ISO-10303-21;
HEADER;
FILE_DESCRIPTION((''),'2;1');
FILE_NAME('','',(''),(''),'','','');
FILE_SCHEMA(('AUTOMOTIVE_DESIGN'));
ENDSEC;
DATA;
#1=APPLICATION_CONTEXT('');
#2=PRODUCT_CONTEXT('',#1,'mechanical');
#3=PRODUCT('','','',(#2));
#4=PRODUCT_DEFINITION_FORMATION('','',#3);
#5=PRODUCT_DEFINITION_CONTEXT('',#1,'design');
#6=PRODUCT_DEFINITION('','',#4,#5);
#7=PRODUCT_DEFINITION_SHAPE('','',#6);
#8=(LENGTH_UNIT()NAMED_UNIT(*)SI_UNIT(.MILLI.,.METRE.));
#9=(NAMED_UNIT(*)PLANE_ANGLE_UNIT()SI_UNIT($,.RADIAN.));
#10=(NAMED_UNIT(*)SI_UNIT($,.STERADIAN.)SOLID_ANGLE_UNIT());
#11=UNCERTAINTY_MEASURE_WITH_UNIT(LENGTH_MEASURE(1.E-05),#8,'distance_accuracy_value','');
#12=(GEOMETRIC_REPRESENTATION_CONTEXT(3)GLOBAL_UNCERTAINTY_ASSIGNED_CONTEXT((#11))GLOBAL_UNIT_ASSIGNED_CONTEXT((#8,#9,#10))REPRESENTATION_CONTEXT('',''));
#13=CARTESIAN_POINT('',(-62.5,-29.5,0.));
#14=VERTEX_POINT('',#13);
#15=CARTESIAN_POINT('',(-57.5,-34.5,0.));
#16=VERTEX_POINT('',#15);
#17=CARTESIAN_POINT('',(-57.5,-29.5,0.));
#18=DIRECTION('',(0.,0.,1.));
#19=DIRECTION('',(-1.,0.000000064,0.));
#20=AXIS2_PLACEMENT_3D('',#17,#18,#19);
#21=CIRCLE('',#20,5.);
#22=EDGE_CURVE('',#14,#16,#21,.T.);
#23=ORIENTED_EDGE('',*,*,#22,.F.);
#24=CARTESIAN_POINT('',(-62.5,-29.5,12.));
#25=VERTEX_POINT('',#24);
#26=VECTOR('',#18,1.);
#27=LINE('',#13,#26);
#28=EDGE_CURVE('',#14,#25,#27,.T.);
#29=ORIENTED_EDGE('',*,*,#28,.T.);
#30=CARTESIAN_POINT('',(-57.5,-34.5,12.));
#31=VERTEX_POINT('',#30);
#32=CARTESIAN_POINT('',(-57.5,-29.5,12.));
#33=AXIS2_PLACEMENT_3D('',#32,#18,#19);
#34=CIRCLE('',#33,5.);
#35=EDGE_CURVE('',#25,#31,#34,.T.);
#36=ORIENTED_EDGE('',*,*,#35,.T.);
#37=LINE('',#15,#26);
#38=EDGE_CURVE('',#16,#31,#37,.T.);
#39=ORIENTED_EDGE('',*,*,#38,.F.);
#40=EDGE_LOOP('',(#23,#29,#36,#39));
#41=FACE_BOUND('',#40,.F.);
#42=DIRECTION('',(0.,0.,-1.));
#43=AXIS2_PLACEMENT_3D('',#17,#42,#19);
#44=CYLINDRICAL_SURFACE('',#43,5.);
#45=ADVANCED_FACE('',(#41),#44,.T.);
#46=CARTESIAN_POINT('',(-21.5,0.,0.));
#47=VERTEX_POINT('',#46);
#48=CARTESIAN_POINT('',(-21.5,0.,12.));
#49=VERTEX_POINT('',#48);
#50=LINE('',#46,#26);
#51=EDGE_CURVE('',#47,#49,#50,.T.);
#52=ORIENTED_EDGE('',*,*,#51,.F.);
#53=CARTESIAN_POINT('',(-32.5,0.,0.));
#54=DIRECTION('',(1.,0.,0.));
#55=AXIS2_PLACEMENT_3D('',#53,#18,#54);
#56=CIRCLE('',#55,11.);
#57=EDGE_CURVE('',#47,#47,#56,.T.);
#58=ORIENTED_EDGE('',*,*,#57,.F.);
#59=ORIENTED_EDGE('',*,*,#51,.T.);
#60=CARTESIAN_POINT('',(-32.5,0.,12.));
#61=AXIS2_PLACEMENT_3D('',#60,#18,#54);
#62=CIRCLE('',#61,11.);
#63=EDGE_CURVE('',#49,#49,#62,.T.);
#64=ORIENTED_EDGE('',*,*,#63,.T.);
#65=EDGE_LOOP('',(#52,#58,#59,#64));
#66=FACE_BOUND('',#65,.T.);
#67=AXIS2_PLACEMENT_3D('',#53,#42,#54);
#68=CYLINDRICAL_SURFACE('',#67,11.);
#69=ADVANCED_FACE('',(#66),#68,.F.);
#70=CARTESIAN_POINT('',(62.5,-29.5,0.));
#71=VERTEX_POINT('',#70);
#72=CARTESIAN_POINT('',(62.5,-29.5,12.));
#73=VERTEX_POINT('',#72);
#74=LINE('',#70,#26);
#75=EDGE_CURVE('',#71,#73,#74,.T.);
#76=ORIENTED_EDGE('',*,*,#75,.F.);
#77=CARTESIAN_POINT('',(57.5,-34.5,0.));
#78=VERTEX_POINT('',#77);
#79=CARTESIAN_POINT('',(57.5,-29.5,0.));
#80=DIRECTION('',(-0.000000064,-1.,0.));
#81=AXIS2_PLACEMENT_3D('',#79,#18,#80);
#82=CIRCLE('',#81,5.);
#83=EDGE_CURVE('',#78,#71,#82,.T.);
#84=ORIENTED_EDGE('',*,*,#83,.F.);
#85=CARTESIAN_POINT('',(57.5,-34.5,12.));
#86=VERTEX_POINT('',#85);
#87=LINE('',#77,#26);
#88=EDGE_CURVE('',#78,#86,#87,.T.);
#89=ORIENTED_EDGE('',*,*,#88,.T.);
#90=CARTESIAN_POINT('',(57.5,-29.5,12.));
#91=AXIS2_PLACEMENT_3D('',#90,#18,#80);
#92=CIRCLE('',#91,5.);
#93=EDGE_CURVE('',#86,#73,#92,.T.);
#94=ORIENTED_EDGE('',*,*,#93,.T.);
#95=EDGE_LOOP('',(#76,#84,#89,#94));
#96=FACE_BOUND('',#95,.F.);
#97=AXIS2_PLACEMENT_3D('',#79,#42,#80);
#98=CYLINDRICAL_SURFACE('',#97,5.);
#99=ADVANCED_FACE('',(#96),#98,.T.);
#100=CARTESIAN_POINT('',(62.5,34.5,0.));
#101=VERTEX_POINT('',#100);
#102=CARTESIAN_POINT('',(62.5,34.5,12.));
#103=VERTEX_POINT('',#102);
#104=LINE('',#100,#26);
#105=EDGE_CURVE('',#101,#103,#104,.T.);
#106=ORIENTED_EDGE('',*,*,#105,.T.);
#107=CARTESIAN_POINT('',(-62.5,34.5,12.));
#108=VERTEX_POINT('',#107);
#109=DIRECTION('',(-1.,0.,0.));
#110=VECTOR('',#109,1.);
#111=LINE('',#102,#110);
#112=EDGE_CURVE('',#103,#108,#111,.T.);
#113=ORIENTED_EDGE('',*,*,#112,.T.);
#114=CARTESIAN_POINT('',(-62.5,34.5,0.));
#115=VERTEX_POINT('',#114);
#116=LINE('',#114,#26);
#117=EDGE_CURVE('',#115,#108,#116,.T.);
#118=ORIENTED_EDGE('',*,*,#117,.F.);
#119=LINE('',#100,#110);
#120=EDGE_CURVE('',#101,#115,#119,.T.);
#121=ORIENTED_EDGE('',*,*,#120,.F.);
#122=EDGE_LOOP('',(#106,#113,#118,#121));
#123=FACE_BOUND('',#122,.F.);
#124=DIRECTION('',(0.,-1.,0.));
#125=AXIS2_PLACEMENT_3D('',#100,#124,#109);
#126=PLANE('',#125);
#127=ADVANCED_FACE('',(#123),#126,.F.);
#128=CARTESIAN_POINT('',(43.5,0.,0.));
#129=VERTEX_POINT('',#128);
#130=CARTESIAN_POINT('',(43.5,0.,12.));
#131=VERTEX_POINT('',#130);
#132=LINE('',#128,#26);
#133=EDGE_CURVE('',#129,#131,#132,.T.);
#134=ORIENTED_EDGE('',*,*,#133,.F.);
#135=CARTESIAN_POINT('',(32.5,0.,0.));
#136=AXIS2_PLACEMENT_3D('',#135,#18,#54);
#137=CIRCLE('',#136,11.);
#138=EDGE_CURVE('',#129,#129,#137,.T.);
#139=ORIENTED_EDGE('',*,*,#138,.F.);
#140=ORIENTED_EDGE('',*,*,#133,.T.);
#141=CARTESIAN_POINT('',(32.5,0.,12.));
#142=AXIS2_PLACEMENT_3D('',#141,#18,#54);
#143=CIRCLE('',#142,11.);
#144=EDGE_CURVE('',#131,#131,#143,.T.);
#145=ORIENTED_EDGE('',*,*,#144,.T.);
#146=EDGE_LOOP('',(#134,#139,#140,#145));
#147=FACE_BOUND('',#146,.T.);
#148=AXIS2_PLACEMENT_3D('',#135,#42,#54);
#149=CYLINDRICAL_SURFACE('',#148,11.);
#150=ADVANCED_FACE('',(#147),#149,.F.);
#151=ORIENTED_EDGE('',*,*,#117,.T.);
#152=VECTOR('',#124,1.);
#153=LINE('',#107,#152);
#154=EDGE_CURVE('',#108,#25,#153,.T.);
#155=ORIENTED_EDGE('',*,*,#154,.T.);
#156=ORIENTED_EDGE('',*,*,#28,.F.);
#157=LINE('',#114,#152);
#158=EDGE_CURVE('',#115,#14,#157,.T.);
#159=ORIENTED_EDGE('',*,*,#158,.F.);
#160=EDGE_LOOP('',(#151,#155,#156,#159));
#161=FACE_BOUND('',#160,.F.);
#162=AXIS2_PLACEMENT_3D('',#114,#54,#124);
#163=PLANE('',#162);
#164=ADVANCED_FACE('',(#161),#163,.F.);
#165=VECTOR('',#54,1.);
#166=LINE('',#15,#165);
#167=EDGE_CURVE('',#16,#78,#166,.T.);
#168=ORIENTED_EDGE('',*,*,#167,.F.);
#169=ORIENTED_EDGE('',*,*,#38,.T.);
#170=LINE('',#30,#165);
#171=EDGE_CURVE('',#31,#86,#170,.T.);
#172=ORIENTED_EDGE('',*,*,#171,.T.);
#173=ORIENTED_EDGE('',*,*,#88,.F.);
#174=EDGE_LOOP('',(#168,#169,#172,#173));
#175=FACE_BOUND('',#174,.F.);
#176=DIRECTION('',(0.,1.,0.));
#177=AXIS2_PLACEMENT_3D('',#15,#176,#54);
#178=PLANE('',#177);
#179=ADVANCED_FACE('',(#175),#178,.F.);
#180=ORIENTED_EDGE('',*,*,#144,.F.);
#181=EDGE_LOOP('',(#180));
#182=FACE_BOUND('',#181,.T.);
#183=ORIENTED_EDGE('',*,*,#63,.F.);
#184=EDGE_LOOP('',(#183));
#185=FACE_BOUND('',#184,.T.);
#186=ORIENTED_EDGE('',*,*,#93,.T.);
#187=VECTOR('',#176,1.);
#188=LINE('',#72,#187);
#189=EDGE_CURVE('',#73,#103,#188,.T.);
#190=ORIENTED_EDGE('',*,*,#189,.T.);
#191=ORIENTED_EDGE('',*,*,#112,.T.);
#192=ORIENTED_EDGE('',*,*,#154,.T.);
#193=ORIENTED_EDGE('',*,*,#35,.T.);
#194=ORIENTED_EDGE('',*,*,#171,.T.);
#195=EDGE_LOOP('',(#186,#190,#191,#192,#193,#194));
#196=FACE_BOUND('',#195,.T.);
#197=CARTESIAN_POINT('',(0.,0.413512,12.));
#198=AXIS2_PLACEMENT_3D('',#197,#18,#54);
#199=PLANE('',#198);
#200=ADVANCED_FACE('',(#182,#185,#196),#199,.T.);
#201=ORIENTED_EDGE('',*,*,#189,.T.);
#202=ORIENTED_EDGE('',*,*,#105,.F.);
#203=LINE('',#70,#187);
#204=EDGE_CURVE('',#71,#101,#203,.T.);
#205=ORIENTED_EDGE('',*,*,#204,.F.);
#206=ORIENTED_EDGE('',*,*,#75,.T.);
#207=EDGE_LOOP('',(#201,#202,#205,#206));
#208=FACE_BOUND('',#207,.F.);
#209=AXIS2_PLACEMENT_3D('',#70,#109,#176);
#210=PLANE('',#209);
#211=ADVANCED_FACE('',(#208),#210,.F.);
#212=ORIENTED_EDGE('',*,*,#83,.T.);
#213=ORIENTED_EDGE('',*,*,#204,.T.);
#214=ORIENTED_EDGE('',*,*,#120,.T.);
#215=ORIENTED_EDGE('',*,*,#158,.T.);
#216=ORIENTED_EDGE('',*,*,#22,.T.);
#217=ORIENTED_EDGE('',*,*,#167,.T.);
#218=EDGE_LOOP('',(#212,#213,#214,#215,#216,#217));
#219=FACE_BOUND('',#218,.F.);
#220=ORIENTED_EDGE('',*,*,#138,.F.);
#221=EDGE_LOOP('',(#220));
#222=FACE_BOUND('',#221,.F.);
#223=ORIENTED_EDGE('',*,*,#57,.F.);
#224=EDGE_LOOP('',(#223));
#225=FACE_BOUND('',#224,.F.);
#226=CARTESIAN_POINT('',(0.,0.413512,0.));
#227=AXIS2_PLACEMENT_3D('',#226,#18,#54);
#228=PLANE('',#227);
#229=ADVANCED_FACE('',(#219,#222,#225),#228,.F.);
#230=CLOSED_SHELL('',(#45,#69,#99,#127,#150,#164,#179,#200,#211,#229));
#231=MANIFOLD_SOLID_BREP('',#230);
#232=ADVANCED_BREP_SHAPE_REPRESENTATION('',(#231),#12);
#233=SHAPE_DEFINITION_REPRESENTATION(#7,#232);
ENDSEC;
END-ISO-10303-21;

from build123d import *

# Parameters (mm, degrees)
F0_R     = 11
F1_DEPTH = 12


with BuildPart() as f1:
    # F0 (on Top) → F1 (new body)
    with BuildSketch(Plane.XY):
        with BuildLine():
            ThreePointArc((-62.5, -29.5), (-61.035534, -33.035534), (-57.5, -34.5))
            Line((-57.5, -34.5), (57.5, -34.5))
            ThreePointArc((57.5, -34.5), (61.035534, -33.035534), (62.5, -29.5))
            Line((62.5, -29.5), (62.5, 34.5))
            Line((62.5, 34.5), (-62.5, 34.5))
            Line((-62.5, 34.5), (-62.5, -29.5))
        make_face()
        with Locations((-32.5, 0)):
            Circle(F0_R, mode=Mode.SUBTRACT)
        with Locations((32.5, 0)):
            Circle(F0_R, mode=Mode.SUBTRACT)
    extrude(amount=F1_DEPTH)


solid = f1.part
